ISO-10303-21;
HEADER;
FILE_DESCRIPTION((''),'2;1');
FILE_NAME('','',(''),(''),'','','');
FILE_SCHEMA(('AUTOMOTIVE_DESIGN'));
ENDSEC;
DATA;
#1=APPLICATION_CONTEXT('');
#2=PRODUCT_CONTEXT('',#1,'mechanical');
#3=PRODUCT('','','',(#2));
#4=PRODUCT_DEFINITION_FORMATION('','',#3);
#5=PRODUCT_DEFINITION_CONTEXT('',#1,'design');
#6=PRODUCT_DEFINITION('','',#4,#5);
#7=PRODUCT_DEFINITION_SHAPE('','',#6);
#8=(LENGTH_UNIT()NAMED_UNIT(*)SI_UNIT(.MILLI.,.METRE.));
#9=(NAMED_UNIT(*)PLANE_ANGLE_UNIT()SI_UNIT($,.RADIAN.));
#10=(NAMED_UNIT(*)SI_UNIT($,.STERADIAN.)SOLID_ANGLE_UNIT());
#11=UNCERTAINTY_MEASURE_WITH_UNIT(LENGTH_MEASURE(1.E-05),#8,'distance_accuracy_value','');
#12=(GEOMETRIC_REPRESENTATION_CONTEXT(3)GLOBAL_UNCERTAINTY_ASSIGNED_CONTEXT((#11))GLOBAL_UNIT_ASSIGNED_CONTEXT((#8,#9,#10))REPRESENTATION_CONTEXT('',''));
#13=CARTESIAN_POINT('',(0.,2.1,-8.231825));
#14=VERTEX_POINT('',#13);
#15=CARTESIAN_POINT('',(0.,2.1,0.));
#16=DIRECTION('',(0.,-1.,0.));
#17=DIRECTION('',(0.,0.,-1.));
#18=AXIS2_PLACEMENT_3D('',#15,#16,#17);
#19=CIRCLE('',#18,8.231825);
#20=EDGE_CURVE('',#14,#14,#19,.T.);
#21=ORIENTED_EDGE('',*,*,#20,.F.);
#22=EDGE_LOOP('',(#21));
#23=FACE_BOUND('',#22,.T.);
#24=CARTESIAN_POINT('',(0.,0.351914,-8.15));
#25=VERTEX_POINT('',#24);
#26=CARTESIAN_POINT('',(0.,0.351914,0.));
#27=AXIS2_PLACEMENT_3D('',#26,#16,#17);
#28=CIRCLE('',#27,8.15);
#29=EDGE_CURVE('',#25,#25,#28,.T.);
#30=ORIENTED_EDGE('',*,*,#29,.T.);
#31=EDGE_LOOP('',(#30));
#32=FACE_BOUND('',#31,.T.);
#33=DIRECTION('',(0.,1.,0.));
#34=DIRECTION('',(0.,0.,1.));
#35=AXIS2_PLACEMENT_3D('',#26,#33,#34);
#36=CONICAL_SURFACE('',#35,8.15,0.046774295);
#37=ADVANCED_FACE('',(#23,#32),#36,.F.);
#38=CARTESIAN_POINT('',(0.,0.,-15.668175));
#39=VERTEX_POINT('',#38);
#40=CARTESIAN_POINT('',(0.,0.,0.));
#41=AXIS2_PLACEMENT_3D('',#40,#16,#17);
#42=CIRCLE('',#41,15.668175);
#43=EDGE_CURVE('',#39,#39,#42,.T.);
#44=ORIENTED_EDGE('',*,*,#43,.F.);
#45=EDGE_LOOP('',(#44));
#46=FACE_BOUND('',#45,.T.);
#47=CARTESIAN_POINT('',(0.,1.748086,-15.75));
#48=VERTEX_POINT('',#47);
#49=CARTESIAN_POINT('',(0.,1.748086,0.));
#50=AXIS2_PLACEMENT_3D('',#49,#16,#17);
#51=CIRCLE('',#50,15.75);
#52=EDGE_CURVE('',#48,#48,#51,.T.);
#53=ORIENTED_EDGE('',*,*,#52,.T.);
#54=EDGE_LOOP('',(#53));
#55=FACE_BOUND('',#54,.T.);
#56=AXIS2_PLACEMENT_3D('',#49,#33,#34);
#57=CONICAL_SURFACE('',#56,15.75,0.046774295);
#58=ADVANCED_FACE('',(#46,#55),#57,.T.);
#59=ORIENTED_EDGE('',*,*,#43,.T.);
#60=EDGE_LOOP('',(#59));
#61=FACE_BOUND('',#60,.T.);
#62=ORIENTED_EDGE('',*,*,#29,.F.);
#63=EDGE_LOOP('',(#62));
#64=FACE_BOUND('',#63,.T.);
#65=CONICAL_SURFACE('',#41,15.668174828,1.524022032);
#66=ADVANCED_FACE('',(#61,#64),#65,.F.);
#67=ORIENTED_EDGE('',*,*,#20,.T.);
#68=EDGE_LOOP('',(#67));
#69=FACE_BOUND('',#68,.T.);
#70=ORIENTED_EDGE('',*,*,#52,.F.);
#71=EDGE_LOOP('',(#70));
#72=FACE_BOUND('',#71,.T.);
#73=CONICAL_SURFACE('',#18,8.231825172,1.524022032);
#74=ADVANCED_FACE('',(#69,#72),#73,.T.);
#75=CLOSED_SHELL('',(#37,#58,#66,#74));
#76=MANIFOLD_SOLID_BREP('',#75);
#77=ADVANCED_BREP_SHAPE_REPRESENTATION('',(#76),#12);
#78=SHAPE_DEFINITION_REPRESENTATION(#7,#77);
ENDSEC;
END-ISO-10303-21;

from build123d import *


with BuildPart() as part:
    # Skizze1 → Rotation1 (revolve)
    with BuildSketch(Plane(origin=(0, 0, 0), x_dir=(0, 0, -1), z_dir=(1, 0, 0))):
        Polygon((-15.668174828, 0), (-8.15, 0.351914006), (-8.231825172, 2.1), (-15.75, 1.748085994), align=None)
    revolve(axis=Axis((0, 0, 0), (0, 1, 0)))


solid = part.part
